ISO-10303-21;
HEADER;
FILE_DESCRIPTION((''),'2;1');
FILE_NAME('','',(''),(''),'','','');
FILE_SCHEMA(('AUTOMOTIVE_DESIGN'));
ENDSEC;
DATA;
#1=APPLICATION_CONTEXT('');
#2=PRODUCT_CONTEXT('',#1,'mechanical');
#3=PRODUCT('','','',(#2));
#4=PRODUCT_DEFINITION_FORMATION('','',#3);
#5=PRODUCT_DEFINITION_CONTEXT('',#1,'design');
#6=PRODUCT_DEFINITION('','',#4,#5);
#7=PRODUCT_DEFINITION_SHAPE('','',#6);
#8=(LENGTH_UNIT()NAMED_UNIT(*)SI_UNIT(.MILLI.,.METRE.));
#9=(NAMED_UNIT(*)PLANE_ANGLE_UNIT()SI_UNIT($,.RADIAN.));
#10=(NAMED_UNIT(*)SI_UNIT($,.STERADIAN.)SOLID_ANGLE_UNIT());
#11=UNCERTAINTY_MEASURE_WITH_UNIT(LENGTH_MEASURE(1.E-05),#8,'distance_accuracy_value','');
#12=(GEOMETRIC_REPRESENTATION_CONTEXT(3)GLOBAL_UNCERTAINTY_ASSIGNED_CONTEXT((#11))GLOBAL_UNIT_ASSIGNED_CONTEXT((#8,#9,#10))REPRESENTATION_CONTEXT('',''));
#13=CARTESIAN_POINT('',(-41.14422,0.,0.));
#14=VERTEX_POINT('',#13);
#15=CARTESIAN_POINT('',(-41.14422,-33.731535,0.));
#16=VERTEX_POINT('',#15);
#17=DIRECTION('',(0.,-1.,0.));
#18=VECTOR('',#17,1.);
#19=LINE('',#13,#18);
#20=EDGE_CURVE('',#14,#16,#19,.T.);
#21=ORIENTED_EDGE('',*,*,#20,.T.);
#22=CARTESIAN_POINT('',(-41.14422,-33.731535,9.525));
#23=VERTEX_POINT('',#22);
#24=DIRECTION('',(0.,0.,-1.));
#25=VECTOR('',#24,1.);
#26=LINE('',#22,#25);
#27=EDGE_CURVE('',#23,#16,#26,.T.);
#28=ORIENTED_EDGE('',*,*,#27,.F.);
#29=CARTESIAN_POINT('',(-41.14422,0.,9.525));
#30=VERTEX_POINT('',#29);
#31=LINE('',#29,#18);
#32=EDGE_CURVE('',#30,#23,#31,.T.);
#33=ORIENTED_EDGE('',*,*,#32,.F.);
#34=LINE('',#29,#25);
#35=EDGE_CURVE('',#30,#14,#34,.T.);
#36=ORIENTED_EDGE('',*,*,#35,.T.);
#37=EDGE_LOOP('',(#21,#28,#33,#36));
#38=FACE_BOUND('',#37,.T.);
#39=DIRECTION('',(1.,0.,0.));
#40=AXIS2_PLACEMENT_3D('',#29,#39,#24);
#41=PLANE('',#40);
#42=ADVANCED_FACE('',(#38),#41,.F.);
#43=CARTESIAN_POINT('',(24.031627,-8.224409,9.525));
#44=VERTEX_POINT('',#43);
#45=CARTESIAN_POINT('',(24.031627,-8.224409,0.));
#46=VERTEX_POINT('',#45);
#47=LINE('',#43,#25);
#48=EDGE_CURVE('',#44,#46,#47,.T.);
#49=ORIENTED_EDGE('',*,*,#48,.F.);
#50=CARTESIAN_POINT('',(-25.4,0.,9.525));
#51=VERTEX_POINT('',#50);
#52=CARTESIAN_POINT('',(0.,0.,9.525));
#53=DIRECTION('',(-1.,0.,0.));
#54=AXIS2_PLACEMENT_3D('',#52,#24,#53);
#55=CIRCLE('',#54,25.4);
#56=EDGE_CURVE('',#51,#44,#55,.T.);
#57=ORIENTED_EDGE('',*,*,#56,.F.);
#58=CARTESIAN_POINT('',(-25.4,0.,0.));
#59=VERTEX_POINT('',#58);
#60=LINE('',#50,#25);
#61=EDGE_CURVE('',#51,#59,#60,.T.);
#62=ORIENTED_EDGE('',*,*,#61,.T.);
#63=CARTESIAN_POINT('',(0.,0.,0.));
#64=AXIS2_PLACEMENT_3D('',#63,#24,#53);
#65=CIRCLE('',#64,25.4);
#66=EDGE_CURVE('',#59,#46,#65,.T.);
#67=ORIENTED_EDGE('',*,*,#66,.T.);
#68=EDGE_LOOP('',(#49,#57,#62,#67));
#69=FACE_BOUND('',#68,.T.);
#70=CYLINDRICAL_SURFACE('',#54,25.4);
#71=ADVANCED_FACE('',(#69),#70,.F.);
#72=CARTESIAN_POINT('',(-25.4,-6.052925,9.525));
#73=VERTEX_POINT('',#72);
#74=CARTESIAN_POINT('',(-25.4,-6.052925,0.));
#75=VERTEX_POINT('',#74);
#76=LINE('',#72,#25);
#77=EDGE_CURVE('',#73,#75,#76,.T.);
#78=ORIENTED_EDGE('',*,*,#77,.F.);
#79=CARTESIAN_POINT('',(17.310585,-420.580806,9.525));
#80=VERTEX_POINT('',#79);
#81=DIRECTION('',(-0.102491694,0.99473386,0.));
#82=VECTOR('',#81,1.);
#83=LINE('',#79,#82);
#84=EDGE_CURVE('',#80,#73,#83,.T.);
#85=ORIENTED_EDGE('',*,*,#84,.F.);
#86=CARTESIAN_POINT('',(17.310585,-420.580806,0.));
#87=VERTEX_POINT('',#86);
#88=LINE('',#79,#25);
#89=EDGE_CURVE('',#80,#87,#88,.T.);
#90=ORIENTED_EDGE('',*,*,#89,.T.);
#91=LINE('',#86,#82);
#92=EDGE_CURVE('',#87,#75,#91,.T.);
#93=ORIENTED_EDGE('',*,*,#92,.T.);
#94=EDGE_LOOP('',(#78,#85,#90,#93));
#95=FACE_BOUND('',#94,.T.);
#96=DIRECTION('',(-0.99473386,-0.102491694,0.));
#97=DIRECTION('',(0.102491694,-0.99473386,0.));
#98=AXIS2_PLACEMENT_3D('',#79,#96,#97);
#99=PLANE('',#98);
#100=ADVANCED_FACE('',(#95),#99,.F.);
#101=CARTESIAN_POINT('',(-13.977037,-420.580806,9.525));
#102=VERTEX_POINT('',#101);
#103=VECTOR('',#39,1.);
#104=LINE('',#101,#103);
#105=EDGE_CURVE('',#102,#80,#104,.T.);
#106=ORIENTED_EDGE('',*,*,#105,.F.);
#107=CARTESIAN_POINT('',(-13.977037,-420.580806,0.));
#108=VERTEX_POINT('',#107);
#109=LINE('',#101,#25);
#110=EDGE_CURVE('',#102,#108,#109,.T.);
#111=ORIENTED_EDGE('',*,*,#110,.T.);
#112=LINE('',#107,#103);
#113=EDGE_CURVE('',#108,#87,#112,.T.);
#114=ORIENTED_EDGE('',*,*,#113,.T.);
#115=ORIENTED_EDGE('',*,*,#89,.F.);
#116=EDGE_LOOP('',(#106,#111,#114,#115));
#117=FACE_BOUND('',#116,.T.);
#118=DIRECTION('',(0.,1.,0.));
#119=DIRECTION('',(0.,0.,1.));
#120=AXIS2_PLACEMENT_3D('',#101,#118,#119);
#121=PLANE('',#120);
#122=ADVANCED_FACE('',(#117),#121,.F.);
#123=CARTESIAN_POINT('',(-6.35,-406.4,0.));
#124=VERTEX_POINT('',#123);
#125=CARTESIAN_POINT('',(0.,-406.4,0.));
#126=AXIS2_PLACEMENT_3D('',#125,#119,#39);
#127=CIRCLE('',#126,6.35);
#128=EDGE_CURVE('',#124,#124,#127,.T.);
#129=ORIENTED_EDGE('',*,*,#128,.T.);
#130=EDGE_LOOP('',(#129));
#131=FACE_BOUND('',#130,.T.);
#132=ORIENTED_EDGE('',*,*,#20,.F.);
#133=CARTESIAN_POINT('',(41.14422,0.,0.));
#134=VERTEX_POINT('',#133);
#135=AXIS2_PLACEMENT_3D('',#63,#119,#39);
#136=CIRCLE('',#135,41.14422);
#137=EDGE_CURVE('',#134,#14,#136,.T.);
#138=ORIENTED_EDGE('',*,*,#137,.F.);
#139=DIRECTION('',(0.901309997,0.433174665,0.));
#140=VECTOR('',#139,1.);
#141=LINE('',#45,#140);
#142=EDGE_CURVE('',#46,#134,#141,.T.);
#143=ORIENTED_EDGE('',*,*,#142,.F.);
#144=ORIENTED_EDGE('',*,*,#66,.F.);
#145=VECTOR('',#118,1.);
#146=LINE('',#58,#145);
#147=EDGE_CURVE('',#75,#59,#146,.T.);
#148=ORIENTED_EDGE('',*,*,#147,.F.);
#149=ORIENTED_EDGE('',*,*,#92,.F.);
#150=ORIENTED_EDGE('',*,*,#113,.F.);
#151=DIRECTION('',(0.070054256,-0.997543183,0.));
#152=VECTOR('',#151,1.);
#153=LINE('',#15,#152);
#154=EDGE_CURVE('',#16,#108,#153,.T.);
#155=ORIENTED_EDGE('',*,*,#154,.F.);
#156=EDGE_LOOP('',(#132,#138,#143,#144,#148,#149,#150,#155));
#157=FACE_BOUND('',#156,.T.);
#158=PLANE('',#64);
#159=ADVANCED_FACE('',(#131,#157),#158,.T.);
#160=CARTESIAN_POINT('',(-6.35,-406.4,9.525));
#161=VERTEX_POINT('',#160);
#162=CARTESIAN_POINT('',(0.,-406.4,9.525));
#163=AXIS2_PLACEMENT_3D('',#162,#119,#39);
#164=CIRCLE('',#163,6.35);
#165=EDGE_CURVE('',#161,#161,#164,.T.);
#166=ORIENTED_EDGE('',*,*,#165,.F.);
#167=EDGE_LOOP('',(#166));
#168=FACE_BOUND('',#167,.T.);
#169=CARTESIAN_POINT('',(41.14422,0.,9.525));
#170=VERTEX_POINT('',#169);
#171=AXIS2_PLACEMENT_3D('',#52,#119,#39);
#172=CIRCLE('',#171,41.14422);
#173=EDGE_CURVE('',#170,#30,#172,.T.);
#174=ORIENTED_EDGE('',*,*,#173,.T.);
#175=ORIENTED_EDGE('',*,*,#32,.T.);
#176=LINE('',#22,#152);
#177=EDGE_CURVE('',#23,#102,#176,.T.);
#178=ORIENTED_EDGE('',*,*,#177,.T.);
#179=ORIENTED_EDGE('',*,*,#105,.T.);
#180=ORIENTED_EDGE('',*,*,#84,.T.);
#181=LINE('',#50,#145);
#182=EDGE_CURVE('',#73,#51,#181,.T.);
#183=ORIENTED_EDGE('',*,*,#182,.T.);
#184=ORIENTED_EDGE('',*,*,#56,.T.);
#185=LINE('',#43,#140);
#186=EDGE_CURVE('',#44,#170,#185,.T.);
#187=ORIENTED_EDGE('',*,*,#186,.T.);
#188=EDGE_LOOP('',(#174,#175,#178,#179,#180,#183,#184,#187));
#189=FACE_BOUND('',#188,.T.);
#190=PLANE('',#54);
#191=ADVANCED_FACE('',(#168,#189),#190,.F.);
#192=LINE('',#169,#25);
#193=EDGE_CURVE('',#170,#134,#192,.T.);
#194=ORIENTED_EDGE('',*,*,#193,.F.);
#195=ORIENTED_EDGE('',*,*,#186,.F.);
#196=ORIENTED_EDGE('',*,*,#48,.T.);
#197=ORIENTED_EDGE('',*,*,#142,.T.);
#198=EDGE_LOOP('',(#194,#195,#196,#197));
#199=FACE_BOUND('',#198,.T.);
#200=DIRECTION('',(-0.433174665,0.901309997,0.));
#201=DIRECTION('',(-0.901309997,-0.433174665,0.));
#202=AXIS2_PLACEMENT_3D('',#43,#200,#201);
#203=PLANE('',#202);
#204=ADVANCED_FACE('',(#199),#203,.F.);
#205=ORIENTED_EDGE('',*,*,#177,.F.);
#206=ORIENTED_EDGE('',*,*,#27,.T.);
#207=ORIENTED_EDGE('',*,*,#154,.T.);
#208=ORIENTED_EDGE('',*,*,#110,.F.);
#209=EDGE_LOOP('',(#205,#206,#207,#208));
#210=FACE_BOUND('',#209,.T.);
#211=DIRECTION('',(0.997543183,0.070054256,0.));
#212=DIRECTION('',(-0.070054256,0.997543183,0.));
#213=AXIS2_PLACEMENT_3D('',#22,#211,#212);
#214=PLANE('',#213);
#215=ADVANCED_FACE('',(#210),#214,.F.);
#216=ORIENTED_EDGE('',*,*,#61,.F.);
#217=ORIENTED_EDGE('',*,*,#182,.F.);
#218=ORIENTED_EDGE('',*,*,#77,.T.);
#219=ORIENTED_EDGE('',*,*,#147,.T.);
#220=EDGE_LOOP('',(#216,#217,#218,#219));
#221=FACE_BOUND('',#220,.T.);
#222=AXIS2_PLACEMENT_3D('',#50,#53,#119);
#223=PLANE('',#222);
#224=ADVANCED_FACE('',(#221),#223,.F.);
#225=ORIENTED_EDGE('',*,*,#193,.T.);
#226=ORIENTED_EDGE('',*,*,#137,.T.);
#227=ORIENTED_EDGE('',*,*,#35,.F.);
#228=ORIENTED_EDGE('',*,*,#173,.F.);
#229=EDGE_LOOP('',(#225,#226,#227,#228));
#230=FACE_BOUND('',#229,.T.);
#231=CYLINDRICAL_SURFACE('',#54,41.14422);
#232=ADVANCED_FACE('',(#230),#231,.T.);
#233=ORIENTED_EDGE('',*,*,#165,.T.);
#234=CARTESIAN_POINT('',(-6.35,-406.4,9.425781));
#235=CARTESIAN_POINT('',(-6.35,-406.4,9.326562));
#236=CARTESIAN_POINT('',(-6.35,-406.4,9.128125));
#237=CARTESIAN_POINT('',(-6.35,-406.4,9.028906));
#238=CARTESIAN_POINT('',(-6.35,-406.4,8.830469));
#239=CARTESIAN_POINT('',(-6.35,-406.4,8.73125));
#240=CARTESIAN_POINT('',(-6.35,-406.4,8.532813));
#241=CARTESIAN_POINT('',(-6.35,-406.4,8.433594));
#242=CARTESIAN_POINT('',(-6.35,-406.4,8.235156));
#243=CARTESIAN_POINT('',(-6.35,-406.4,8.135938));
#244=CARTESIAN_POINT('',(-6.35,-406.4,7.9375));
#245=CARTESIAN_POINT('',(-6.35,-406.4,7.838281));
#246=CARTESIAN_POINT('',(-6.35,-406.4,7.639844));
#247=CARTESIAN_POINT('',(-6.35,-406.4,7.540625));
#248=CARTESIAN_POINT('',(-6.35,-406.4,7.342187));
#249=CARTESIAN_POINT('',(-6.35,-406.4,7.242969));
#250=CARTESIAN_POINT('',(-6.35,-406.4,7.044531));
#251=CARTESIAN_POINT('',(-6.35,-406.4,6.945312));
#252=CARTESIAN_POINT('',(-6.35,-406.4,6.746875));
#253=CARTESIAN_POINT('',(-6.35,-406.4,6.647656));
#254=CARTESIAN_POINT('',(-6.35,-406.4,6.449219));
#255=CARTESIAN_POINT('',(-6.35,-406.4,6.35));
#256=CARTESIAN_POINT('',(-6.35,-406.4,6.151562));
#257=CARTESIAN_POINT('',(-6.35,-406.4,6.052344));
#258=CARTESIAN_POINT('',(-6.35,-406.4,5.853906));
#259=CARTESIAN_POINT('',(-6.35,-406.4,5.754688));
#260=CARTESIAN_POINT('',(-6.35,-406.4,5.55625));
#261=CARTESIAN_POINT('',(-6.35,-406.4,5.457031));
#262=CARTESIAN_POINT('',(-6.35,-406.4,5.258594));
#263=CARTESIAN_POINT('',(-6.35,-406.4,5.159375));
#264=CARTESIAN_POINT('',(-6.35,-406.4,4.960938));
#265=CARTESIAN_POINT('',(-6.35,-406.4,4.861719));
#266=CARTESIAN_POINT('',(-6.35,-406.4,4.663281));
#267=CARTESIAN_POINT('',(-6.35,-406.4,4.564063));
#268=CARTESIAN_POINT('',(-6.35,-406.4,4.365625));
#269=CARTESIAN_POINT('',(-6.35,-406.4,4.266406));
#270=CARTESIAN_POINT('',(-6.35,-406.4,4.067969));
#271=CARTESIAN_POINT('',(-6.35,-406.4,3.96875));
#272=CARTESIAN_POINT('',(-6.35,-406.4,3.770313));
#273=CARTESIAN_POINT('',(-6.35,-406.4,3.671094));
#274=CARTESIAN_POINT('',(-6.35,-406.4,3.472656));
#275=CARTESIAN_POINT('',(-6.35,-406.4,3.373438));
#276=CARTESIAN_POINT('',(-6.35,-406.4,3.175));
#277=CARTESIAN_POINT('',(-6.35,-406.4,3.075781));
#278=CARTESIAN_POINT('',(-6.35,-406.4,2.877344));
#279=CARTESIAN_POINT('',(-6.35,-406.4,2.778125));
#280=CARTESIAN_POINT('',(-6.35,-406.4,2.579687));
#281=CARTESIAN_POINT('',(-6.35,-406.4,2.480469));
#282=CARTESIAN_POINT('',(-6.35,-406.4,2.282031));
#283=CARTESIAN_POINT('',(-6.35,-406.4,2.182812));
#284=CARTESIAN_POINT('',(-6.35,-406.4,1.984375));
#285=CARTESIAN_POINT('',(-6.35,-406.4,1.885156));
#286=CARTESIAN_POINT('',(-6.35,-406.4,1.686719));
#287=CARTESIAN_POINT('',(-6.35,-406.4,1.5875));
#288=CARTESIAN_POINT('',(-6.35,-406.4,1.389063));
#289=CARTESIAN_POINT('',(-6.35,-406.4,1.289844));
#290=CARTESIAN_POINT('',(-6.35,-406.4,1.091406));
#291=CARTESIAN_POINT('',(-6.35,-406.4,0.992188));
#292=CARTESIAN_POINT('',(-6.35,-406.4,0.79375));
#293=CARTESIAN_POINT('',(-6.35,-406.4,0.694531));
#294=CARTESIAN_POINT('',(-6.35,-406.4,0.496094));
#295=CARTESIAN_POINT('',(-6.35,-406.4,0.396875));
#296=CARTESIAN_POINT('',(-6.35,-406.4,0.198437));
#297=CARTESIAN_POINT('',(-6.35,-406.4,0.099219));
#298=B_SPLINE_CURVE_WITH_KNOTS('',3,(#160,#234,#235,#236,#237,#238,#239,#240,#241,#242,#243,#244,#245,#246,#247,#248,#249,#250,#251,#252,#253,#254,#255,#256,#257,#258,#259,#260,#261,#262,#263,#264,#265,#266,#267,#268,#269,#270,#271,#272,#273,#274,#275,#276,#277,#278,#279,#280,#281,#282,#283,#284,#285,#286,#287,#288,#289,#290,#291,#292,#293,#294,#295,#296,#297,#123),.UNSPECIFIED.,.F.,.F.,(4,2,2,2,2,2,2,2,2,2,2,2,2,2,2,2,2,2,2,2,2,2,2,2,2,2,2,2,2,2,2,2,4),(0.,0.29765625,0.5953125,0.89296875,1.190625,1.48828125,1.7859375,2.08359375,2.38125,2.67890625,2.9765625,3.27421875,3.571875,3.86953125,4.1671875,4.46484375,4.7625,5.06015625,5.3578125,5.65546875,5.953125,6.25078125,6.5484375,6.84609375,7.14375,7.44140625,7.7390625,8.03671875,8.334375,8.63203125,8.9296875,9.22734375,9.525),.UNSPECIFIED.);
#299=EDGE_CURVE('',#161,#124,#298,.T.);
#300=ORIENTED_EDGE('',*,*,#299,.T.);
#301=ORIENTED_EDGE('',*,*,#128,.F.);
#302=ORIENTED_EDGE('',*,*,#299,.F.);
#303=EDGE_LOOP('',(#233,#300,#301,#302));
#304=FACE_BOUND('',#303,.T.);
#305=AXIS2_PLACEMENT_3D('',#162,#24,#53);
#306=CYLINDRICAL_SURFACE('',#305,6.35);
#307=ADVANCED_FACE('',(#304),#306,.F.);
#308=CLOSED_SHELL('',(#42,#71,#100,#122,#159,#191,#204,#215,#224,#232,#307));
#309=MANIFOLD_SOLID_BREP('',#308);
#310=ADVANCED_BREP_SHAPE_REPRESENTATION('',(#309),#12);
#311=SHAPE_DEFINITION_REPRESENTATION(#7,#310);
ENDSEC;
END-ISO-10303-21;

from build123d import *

# Parameters (mm, degrees)
SKETCH1_R           = 6.35
BOSS_EXTRUDE1_DEPTH = 9.525


with BuildPart() as part:
    # Sketch1 → Boss-Extrude1 (new body)
    with BuildSketch(Plane.XY):
        with BuildLine():
            Line((-25.4, 0), (-25.4, -6.052924625))
            Line((-25.4, -6.052924625), (17.310584604, -420.580806397))
            Line((17.310584604, -420.580806397), (-13.977037286, -420.580806397))
            Line((-13.977037286, -420.580806397), (-41.144220181, -33.731534677))
            Line((-41.144220181, -33.731534677), (-41.144220181, 0))
            ThreePointArc((-41.144220181, 0), (0, 41.144220181), (41.144220181, 0))
            Line((41.144220181, 0), (24.031627115, -8.224408685))
            ThreePointArc((24.031627115, -8.224408685), (25.055571523, -4.168733098), (25.4, 0))
            ThreePointArc((25.4, 0), (0, 25.4), (-25.4, 0))
        make_face()
        with Locations(Location((0, -406.4, 0), (0, 0, 180))):
            Circle(SKETCH1_R, mode=Mode.SUBTRACT)
    extrude(amount=BOSS_EXTRUDE1_DEPTH)


solid = part.part
